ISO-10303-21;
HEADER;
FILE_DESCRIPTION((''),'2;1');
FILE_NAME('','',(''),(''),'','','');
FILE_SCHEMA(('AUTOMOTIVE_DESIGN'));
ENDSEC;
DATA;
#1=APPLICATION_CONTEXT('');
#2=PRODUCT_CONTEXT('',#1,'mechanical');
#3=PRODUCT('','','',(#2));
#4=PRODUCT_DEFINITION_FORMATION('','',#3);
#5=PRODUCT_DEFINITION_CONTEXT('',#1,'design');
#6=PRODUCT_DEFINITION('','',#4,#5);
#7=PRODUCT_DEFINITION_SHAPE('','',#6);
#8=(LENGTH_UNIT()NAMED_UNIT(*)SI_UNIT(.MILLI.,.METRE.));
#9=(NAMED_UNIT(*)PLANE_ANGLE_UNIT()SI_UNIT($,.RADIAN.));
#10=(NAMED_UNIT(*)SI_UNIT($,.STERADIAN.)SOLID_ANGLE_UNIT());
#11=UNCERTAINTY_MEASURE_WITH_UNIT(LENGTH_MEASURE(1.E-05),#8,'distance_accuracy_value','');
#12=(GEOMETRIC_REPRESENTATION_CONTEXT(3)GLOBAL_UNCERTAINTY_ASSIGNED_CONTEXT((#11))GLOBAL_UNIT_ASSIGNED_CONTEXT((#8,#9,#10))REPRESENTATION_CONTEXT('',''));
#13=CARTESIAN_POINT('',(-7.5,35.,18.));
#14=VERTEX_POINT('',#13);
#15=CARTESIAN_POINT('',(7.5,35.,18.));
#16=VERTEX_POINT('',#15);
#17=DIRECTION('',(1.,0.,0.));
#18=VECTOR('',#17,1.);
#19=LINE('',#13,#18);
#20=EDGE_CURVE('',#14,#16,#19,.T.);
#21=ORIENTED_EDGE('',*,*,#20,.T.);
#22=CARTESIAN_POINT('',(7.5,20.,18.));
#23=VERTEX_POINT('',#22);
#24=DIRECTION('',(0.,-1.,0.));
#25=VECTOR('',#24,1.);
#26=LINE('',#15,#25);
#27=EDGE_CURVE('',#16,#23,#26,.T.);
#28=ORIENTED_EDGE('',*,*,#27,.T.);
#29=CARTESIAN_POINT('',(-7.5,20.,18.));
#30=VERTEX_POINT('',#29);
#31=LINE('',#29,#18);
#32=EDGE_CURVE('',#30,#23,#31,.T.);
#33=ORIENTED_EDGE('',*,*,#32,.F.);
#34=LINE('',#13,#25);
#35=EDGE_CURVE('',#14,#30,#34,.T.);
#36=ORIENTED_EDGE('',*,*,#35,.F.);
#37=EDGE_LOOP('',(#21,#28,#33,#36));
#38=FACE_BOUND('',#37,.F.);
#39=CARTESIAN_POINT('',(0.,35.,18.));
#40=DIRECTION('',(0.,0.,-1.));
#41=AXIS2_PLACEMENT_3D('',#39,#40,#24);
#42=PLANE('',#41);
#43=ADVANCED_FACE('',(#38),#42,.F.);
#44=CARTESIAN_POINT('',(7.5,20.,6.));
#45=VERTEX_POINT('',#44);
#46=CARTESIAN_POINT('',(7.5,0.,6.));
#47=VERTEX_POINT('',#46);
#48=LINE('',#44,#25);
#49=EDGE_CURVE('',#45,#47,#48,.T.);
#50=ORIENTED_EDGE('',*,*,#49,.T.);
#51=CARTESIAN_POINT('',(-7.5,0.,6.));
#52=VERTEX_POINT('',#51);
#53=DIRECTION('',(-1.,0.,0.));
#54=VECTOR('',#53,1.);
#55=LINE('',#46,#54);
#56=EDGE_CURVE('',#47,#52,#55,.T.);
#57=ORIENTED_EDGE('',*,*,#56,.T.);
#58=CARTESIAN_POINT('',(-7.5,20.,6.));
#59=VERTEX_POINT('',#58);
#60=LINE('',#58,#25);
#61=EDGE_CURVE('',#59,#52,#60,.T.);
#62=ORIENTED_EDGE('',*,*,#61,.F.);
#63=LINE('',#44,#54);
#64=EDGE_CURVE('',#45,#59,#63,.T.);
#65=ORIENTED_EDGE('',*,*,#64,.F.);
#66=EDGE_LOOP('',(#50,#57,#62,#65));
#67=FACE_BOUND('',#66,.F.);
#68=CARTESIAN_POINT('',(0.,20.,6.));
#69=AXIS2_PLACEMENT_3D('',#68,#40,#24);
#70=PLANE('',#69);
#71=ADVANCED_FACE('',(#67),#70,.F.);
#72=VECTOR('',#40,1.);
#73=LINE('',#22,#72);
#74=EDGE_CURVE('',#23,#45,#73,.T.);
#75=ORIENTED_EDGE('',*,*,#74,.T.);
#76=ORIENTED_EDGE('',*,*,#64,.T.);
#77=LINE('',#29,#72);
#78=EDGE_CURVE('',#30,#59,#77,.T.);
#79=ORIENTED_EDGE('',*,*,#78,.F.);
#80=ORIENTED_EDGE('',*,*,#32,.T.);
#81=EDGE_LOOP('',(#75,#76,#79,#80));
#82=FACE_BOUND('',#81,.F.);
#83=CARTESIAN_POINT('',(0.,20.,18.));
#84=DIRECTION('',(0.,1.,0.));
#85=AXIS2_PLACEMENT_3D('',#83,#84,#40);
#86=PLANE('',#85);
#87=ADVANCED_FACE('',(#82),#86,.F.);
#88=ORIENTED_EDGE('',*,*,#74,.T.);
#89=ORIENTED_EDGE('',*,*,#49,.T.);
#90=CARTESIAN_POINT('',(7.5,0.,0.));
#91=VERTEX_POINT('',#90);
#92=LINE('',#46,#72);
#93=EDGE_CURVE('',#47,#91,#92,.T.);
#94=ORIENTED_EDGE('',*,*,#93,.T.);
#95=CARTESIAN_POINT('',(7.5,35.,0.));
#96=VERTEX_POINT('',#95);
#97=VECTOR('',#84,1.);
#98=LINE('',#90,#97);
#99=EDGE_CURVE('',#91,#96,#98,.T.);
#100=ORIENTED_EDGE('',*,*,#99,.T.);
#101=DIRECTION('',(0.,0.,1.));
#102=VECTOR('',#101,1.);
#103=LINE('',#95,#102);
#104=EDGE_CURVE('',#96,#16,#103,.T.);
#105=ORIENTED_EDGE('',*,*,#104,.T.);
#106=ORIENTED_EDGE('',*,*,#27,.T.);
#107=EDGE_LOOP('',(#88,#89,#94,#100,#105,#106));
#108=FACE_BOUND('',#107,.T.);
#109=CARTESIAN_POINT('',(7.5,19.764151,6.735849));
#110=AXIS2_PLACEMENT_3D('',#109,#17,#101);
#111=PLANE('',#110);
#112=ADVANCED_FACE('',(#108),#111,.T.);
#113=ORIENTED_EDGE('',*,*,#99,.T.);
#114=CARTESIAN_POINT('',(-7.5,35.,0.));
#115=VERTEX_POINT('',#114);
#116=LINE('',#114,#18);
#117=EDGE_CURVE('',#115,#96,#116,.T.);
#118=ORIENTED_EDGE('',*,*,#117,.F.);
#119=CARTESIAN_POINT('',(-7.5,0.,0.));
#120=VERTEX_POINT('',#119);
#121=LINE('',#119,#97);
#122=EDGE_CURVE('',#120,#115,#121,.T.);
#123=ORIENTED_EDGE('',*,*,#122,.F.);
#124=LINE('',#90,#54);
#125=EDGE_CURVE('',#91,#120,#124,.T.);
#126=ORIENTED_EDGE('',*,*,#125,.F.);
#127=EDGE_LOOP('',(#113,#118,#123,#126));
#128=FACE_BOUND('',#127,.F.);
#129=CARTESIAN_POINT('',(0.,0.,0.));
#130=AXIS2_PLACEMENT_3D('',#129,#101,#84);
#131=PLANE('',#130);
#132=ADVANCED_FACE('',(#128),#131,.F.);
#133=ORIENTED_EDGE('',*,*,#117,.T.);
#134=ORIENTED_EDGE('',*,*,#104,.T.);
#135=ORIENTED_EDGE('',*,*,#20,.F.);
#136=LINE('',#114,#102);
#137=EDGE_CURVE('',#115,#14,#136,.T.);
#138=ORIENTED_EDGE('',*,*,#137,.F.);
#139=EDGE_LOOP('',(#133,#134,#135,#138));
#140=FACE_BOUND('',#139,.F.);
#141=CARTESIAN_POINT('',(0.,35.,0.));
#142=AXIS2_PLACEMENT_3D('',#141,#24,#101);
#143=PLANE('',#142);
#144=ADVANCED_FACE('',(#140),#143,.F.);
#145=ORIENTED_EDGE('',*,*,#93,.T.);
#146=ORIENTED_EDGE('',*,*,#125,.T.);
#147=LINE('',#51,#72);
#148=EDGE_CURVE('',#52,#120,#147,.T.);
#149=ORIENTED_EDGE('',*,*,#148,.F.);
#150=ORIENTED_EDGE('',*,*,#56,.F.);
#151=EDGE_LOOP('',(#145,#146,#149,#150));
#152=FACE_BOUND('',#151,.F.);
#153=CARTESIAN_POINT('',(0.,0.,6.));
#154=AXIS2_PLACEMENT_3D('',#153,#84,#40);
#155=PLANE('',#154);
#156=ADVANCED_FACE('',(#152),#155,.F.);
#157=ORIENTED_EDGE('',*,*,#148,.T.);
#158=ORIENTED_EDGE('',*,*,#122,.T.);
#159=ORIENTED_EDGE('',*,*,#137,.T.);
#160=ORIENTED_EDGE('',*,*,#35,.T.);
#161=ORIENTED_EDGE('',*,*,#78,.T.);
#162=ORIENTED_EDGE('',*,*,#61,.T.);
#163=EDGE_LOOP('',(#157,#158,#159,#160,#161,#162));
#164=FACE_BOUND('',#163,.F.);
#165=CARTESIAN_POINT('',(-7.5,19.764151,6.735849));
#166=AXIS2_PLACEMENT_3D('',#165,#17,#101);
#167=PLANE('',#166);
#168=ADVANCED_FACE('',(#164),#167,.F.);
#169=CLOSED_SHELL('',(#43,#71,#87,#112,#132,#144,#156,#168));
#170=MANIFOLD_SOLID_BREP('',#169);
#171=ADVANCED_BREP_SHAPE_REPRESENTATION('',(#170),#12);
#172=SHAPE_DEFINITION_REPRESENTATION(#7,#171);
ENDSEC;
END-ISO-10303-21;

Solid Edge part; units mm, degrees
sketch "Sketch1" plane through (0, 0, 0) normal (1, 0, 0) x (0, 1, 0)
  line L0 (0, 0) -> (35, 0)
  line L1 (35, 0) -> (35, 18)
  line L2 (35, 18) -> (20, 18)
  line L3 (20, 18) -> (20, 6)
  line L4 (20, 6) -> (0, 6)
  line L5 (0, 6) -> (0, 0)
  dimension "D1" = 35
  dimension "D2" = 18
  dimension "D3" = 12
  dimension "D4" = 15
extrude "Protrusion1" add sketch "Sketch1" along normal mid plane 15
properties material "Polyethylene, low density"
